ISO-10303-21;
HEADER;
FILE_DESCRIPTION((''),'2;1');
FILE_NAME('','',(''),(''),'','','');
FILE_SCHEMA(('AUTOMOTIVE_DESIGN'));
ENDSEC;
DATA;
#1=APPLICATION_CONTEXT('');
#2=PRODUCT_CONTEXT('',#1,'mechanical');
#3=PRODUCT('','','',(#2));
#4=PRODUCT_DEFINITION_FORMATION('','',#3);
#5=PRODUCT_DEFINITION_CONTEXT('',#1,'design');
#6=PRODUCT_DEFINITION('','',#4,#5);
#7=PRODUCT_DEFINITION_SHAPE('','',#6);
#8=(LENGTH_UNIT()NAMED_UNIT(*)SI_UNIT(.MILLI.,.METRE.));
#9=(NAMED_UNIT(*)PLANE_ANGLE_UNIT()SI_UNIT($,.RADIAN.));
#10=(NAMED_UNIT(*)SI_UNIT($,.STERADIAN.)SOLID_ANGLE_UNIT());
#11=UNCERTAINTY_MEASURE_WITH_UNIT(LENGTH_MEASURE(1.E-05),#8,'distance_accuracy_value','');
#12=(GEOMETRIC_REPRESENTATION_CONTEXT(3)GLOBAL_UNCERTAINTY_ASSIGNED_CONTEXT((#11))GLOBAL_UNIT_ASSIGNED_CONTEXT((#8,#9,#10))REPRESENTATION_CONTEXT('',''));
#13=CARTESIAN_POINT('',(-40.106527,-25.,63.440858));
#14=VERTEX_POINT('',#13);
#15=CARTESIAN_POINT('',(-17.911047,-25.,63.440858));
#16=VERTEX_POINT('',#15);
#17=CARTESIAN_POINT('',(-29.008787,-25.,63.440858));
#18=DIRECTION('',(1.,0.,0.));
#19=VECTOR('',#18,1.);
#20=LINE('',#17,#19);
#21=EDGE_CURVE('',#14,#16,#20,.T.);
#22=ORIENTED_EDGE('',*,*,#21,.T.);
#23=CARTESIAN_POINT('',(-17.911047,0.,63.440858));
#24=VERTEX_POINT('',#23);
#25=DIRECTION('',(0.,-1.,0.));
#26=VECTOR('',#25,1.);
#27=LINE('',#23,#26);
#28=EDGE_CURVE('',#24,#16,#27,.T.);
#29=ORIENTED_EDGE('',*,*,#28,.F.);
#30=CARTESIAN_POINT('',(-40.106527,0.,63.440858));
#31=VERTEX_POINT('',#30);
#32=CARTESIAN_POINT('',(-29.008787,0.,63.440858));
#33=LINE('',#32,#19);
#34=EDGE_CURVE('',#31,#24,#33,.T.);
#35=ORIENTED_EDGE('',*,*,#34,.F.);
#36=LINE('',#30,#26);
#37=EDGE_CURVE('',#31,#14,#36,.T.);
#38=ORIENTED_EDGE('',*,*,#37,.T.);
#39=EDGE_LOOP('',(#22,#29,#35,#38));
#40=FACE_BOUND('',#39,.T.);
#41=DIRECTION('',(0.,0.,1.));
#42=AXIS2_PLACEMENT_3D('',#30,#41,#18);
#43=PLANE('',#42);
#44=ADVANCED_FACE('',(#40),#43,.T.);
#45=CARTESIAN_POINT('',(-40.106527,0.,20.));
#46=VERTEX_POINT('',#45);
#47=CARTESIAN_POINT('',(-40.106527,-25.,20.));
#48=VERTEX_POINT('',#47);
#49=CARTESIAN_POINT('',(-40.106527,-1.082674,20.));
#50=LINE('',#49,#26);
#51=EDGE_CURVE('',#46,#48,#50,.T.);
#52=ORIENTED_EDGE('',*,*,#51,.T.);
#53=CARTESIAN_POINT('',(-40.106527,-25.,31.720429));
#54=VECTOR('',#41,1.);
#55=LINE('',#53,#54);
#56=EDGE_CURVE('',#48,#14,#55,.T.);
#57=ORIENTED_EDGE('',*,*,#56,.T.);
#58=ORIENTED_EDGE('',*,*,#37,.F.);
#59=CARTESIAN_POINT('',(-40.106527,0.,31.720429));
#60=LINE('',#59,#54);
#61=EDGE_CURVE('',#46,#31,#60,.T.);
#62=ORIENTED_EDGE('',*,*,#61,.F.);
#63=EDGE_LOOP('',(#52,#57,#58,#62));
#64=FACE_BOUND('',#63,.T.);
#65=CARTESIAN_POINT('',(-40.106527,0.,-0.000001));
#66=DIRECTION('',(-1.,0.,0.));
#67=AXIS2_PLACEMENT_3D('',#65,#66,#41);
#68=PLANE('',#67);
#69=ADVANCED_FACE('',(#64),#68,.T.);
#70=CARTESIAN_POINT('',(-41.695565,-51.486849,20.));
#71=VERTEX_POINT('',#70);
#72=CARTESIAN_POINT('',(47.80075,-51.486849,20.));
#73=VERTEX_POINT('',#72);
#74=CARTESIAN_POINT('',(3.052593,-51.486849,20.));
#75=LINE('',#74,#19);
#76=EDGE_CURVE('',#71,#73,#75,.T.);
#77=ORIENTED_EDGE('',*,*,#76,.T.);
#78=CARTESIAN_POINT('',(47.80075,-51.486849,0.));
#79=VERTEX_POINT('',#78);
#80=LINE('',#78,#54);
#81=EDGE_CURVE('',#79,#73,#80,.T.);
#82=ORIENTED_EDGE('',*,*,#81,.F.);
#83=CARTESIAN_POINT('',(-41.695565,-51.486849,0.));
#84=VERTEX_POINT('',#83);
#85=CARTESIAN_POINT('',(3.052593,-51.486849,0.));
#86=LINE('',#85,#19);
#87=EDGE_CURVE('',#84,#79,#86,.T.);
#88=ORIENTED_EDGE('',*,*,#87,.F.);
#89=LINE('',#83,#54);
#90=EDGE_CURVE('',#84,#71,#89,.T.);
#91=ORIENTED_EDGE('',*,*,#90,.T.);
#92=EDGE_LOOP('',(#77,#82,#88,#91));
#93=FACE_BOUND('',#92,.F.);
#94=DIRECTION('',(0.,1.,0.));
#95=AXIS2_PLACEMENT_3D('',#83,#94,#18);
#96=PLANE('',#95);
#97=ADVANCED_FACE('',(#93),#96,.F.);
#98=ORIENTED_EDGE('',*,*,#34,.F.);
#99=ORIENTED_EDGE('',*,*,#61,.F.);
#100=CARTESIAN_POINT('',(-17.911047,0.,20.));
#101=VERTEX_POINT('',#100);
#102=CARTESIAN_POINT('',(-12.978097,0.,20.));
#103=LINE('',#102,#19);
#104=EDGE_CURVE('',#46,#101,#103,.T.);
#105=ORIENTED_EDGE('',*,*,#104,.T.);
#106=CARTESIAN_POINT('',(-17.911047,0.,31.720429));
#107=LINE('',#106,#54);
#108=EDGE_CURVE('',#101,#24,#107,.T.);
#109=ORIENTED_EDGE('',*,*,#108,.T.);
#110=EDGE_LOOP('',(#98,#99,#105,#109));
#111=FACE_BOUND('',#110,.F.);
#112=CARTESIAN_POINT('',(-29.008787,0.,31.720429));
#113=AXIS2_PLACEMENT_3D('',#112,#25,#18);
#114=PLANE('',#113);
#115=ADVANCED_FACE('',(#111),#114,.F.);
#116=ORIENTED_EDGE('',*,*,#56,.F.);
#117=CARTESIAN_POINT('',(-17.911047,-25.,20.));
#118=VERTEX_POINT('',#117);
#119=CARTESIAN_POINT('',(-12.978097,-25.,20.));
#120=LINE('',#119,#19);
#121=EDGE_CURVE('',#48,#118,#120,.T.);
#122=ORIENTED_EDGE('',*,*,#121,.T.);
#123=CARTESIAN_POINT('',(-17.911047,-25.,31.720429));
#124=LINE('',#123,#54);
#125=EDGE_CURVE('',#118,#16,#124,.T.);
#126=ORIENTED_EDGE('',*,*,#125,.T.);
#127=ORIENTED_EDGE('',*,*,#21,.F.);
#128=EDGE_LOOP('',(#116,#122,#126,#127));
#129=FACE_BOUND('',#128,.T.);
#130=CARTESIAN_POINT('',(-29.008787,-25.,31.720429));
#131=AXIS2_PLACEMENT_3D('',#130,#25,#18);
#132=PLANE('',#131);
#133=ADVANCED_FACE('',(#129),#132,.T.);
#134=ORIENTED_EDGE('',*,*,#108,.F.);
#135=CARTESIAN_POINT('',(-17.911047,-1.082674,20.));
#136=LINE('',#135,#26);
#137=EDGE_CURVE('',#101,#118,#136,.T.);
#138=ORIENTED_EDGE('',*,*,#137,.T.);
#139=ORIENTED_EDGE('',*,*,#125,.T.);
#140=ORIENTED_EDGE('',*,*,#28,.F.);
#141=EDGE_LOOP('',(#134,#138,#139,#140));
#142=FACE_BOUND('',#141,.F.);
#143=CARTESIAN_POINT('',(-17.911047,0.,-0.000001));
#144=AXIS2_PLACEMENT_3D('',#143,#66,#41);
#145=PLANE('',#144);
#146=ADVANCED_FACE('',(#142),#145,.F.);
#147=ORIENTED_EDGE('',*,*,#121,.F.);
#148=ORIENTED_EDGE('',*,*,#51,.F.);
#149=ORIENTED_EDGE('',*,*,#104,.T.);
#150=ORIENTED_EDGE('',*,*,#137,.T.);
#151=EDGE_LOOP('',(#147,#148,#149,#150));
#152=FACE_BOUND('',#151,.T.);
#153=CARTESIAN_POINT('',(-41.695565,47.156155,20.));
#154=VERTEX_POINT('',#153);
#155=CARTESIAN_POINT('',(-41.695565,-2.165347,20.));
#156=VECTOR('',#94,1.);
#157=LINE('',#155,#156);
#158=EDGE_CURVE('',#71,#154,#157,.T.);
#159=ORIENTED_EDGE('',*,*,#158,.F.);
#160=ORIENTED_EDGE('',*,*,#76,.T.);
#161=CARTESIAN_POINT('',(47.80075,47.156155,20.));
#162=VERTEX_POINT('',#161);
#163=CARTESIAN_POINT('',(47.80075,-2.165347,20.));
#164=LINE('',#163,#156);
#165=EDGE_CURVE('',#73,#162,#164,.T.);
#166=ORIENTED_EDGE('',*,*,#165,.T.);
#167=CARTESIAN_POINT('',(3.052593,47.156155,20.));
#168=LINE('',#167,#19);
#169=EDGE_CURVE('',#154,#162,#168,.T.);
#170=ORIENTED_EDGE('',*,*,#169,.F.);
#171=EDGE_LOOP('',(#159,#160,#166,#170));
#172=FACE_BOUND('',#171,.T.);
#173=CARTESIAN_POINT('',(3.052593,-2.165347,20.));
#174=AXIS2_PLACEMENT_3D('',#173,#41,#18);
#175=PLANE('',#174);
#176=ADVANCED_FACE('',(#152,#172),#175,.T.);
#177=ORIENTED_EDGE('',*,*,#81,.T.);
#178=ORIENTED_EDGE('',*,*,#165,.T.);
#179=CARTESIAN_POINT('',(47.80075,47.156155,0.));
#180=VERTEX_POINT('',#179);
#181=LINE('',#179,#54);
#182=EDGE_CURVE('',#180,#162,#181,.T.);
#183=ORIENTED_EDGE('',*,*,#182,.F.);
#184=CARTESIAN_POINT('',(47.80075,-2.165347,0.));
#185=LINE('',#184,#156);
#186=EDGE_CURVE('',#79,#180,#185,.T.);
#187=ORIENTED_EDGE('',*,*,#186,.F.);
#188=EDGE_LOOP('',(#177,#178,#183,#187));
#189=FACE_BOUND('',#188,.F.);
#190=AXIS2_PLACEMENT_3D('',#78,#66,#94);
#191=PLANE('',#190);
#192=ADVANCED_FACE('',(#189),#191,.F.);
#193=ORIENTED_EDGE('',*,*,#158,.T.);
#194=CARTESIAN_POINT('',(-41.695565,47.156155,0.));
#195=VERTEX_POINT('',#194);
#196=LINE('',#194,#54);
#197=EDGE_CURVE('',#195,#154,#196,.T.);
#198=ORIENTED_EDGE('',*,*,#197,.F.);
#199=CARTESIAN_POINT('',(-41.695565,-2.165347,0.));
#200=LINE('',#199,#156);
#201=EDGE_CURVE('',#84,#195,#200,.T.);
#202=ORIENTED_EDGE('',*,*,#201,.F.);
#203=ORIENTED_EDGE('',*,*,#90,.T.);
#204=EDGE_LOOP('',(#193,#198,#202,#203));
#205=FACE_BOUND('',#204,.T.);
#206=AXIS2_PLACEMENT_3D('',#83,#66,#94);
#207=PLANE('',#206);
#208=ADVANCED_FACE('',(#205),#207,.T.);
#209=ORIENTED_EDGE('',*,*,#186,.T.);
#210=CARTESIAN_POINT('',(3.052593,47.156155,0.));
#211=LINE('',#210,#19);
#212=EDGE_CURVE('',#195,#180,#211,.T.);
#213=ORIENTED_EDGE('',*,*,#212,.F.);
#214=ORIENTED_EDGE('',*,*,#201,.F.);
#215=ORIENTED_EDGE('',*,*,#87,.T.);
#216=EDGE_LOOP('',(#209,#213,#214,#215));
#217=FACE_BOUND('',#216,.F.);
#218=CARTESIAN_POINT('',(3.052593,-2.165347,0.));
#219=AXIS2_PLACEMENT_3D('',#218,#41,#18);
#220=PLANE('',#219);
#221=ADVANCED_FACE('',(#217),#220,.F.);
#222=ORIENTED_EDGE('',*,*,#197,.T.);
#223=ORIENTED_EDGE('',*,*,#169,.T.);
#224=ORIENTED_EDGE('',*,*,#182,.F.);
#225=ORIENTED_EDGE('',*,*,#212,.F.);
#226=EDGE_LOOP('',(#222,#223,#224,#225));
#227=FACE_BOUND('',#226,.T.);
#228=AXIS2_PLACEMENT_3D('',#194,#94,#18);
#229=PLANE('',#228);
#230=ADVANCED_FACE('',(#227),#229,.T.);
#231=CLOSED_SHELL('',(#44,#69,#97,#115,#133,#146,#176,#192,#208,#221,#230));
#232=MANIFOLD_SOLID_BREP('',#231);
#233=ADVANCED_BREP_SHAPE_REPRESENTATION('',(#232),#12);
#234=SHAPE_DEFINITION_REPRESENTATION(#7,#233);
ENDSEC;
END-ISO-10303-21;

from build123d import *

# Parameters (mm, degrees)
F0_W     = 89.496315
F0_H     = 98.643005
F1_DEPTH = 20
F2_W     = 22.195481
F2_H     = 63.440859
F3_DEPTH = 25


with BuildPart() as f1:
    # F0 (on Top) → F1 (new body)
    with BuildSketch(Plane.XY):
        with Locations((3.052593, -2.165347)):
            Rectangle(F0_W, F0_H)
    extrude(amount=F1_DEPTH)

    # F2 (on Front) → F3 (join)
    with BuildSketch(Plane.XZ):
        with Locations((-29.008787, 31.720429)):
            Rectangle(F2_W, F2_H)
    extrude(amount=F3_DEPTH)


solid = f1.part
